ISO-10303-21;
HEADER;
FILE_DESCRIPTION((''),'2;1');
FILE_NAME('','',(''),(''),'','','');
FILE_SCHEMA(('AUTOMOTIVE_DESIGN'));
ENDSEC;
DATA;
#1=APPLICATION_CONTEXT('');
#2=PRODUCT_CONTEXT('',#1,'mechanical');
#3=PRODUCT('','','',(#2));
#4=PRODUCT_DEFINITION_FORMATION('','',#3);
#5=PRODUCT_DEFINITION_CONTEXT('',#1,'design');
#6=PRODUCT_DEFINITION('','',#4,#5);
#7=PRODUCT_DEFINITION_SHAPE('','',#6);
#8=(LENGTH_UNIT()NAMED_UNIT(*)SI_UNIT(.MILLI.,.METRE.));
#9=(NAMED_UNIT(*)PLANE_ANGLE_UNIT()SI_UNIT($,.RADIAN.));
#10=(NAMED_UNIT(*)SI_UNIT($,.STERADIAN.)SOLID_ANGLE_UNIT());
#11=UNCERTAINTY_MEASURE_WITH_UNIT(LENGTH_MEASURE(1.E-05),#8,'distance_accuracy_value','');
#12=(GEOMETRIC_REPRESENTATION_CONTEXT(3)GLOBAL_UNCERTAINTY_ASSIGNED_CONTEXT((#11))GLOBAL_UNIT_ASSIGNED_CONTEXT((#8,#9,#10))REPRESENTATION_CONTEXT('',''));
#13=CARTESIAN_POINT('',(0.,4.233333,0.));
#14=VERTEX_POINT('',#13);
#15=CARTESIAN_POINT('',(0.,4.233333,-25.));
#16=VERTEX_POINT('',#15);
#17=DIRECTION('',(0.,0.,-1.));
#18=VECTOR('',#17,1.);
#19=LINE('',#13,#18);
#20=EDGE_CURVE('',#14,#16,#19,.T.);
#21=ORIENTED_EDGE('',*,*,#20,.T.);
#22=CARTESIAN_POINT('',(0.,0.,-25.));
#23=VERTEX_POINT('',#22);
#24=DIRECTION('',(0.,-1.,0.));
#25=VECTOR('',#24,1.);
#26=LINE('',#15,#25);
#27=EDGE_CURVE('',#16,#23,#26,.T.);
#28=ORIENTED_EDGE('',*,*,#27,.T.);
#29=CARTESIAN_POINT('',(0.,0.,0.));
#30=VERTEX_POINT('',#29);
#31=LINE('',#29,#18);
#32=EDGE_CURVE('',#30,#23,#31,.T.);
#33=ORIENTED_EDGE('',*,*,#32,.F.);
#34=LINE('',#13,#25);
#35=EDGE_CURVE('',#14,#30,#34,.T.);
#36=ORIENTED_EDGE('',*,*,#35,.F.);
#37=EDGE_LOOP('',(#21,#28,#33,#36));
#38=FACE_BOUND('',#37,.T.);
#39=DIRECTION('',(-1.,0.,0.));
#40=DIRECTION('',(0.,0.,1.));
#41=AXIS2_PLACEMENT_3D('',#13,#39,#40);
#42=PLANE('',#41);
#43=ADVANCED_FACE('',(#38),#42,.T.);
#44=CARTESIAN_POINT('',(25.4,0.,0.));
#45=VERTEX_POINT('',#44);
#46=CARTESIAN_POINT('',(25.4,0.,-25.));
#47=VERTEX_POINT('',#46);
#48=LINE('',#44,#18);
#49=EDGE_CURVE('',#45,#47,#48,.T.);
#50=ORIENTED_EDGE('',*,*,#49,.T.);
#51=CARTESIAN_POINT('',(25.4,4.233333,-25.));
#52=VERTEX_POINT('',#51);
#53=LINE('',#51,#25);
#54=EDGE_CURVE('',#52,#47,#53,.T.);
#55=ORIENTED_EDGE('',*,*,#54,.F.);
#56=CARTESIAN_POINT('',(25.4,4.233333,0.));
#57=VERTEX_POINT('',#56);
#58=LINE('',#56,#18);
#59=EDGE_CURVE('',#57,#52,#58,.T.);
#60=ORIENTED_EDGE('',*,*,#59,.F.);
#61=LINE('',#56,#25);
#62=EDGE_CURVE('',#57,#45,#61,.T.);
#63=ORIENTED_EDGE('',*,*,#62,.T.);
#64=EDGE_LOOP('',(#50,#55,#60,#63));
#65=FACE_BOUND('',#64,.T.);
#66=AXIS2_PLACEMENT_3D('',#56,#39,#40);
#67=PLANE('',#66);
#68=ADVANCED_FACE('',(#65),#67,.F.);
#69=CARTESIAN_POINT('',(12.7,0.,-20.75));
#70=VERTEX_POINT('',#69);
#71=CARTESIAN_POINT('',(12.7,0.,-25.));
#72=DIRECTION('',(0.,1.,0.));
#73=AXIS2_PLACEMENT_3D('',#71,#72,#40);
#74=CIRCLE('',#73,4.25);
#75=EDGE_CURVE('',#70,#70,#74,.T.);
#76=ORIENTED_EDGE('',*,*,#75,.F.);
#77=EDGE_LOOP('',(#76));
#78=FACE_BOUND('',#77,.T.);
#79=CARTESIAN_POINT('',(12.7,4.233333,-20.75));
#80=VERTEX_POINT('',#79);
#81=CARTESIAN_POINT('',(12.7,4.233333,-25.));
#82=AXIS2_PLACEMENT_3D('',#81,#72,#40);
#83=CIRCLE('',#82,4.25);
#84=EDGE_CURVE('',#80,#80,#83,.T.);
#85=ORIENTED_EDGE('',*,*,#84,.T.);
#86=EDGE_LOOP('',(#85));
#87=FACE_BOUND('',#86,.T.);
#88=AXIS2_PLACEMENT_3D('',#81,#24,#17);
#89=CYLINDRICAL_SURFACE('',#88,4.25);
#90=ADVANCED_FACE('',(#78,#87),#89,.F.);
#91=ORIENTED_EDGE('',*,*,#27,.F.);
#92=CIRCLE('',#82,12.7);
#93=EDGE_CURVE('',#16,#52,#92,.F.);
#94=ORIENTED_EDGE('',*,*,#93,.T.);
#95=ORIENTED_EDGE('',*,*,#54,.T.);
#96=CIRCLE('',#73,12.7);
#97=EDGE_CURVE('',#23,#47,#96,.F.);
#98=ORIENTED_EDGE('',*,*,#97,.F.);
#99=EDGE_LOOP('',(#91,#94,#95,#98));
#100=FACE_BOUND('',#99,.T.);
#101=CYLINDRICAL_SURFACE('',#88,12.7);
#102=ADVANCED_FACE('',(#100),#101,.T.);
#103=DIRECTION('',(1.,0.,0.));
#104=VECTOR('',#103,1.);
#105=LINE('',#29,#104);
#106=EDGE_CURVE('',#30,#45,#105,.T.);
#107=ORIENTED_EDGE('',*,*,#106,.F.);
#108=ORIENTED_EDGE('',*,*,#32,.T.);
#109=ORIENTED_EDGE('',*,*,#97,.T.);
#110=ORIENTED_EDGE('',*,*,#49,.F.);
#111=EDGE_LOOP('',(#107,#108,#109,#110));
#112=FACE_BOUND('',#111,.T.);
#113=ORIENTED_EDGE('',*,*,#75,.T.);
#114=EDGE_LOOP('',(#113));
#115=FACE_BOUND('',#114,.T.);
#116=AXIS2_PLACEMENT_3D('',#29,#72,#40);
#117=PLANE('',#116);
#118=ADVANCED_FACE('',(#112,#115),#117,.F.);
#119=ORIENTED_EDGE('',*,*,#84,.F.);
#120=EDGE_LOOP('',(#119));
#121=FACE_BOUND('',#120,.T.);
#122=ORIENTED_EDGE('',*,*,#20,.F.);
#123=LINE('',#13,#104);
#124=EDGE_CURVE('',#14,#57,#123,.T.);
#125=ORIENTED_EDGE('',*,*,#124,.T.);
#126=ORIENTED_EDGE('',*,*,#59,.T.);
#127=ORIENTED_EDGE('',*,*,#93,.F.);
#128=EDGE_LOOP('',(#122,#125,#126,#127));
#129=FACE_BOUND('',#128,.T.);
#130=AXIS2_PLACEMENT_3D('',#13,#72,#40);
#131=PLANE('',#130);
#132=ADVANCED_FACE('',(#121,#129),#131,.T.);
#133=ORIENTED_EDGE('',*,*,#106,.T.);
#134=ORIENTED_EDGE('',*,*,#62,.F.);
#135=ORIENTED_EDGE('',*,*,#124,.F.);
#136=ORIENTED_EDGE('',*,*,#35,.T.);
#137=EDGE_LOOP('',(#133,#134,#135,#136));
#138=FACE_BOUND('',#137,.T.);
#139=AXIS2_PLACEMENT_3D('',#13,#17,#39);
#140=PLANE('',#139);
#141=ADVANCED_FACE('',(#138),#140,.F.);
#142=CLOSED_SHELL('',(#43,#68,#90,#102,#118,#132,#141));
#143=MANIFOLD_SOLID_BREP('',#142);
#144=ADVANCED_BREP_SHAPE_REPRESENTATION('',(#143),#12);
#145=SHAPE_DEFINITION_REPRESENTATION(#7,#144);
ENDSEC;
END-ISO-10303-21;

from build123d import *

# Parameters (mm, degrees)
SKETCH1_R           = 4.25
BOSS_EXTRUDE1_DEPTH = 4.233333333


with BuildPart() as part:
    # Sketch1 → Boss-Extrude1 (new body)
    with BuildSketch(Plane(origin=(0, 0, 0), x_dir=(1, 0, 0), z_dir=(0, 1, 0))):
        with BuildLine():
            Line((0, 0), (25.4, 0))
            Line((25.4, 0), (25.4, 25))
            ThreePointArc((25.4, 25), (12.7, 37.7), (0, 25))
            Line((0, 25), (0, 0))
        make_face()
        with Locations(Location((12.7, 25, 0), (0, 0, 270))):
            Circle(SKETCH1_R, mode=Mode.SUBTRACT)
    extrude(amount=BOSS_EXTRUDE1_DEPTH)


solid = part.part
